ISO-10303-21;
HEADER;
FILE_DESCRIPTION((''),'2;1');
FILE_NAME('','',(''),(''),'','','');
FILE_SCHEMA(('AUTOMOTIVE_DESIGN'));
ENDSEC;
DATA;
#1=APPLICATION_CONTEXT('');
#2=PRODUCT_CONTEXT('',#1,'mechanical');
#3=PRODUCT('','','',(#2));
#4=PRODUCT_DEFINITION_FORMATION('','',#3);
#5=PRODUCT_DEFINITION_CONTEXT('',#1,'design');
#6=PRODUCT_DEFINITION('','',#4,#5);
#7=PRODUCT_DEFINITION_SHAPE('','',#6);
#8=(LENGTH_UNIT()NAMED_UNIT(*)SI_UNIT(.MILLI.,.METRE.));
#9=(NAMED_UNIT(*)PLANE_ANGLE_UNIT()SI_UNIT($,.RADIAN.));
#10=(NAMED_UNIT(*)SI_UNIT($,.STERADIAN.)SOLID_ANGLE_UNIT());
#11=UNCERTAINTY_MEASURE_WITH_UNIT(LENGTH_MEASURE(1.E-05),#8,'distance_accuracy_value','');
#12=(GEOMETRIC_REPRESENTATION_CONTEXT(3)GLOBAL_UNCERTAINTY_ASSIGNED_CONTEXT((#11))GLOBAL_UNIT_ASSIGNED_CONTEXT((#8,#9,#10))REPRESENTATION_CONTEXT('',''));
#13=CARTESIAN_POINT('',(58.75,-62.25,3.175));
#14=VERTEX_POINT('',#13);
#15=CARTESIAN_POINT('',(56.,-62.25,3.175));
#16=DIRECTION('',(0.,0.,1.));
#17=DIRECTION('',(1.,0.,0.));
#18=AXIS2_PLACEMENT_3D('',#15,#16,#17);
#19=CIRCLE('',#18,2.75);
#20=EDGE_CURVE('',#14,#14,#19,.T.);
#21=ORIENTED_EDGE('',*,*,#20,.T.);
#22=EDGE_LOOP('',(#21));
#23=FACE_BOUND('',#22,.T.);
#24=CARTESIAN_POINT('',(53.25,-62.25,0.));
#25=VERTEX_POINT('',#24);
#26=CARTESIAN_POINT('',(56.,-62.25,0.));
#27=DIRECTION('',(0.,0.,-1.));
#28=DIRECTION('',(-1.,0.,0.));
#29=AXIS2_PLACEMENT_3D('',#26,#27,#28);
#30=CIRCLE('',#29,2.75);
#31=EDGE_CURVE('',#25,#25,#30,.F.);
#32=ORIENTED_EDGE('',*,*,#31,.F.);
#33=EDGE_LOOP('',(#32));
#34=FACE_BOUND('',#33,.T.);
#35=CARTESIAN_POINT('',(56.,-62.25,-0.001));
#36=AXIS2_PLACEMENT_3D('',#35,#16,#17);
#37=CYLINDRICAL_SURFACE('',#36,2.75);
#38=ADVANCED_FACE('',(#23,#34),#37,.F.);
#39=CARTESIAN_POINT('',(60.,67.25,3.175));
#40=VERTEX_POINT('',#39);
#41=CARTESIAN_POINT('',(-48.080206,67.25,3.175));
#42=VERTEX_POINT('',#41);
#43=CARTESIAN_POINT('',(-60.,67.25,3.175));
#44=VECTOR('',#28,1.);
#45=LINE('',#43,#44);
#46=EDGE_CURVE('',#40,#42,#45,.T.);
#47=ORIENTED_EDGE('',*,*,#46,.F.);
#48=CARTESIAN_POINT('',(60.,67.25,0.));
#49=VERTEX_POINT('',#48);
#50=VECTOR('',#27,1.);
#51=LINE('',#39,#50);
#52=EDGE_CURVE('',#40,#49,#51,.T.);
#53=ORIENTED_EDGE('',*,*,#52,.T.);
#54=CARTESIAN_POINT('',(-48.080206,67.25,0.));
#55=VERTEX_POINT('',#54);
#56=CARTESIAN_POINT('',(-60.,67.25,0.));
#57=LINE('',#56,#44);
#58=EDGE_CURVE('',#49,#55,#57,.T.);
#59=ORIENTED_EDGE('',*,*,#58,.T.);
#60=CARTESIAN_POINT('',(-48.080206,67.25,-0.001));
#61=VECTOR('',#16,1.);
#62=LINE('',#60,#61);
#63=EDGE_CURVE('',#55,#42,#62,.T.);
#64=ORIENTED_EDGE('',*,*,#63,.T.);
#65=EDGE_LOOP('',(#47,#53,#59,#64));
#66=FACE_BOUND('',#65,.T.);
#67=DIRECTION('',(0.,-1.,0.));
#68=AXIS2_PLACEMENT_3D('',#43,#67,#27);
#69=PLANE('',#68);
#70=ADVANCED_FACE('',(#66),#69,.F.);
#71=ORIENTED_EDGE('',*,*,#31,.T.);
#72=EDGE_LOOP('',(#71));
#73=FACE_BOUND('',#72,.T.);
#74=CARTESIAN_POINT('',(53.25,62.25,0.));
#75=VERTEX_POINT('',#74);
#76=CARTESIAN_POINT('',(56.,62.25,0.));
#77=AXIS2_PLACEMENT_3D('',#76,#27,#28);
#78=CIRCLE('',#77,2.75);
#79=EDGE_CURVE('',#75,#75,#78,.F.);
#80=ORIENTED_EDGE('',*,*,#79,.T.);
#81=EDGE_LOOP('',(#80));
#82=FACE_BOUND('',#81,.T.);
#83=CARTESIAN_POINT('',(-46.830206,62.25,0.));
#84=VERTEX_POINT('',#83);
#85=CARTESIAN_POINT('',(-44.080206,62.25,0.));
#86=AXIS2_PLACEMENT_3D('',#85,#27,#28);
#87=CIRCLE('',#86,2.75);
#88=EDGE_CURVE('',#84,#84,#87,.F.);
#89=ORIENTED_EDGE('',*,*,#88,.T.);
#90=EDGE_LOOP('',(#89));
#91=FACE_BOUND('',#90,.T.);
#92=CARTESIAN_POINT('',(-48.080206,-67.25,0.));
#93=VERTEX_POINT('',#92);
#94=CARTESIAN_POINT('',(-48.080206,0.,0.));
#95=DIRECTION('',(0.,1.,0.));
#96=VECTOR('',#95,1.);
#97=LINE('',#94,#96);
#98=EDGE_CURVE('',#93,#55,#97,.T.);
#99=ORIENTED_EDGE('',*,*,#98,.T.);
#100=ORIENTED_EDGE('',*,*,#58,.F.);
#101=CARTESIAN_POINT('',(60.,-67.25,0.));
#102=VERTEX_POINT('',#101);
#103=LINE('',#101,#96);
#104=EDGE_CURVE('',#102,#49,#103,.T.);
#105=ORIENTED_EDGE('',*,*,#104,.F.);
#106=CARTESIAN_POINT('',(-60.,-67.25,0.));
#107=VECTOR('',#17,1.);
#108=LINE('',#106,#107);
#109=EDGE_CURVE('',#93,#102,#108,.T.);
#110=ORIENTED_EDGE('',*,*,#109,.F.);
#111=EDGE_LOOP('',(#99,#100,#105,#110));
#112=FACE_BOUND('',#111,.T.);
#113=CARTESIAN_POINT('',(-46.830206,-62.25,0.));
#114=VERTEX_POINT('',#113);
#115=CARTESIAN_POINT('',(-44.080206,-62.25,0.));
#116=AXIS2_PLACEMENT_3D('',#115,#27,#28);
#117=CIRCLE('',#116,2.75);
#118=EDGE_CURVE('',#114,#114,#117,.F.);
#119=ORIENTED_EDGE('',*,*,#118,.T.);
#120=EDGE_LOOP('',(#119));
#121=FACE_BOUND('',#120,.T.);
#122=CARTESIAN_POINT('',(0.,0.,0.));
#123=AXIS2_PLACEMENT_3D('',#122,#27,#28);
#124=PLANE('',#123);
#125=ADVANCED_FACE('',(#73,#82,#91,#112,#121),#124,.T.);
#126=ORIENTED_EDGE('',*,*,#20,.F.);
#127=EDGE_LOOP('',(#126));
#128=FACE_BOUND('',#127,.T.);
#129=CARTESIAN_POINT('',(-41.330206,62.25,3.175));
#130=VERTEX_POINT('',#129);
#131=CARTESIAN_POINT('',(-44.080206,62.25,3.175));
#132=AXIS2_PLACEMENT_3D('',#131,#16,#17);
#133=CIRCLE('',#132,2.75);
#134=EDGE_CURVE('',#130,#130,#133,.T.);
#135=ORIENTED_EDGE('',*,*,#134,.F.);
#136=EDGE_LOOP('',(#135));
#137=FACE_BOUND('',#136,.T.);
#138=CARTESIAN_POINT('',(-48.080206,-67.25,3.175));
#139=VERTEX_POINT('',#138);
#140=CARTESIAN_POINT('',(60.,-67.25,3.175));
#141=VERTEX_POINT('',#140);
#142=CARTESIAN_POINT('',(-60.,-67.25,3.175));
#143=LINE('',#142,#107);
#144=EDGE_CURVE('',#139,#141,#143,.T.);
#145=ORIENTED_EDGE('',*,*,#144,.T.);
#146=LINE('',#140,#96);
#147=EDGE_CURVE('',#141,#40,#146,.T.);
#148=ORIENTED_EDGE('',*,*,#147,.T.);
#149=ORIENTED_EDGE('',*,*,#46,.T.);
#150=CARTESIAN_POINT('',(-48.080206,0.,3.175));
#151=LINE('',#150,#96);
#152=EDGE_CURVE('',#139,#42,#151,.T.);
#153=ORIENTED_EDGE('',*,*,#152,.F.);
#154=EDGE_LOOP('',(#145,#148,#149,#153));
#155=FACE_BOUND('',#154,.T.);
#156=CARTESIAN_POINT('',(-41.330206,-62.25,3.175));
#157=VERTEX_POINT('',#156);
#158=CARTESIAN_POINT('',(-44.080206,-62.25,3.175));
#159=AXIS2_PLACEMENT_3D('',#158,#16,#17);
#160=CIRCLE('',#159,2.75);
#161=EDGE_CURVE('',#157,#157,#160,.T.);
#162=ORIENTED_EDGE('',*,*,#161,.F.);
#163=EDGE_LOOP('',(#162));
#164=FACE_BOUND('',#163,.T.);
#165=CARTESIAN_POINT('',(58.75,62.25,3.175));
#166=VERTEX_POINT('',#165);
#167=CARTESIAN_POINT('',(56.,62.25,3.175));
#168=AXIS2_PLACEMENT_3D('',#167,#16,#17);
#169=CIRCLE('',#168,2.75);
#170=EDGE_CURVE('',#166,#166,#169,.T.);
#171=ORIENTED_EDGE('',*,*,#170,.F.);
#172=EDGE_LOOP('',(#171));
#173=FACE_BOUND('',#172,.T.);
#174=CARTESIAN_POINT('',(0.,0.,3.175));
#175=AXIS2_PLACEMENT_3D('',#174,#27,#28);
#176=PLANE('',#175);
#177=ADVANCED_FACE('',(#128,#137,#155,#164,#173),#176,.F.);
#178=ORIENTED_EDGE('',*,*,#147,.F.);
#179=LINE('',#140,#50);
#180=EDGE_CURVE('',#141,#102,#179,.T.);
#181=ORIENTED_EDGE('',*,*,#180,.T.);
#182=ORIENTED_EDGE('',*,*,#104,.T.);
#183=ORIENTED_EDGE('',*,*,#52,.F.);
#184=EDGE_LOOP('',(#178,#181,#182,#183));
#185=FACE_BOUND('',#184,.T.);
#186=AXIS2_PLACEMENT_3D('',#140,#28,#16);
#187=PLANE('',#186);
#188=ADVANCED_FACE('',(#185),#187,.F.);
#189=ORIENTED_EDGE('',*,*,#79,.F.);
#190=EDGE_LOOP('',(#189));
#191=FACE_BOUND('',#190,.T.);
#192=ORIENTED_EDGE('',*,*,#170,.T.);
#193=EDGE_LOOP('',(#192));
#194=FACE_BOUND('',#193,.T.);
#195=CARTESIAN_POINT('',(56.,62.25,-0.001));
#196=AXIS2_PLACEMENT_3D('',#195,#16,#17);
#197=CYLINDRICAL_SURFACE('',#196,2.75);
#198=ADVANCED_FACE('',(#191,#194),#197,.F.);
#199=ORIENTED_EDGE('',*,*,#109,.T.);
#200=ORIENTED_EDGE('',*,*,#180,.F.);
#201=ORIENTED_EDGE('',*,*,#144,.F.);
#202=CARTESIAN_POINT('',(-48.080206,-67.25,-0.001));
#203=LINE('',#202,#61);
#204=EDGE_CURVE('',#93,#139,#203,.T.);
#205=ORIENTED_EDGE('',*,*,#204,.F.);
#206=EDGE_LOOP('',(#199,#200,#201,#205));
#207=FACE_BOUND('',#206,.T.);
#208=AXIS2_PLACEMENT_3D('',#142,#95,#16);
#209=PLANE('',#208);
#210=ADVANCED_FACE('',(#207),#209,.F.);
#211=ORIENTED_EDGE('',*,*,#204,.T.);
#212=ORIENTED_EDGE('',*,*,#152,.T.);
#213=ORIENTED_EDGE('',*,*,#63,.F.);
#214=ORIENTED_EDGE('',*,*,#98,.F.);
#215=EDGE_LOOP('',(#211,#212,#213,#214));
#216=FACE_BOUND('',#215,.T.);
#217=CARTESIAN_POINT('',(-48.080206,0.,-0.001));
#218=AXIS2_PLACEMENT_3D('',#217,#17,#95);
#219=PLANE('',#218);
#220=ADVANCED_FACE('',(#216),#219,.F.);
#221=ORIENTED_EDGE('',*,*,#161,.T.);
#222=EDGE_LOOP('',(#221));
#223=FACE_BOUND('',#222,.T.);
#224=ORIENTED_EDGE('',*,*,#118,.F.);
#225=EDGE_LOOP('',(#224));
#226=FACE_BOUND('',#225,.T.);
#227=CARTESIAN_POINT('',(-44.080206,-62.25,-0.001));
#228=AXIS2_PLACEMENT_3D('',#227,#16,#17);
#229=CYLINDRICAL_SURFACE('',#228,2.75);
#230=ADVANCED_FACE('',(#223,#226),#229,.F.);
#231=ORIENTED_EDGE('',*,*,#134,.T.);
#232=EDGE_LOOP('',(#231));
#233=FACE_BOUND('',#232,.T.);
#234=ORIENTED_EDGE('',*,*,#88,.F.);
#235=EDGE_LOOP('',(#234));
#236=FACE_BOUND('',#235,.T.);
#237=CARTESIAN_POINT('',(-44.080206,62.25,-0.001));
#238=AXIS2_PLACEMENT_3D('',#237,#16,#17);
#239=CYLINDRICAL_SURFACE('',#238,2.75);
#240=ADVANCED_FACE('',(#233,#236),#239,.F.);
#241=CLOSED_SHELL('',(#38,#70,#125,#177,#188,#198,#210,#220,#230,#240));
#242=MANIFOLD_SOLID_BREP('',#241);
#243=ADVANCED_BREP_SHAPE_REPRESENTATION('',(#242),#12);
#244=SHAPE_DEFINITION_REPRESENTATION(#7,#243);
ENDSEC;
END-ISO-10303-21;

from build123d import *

# Parameters (mm, degrees)
SKETCH1_W           = 120
SKETCH1_H           = 134.5
BOSS_EXTRUDE1_DEPTH = 3.175
CUT_EXTRUDE1_REACH  = 92.181
SKETCH2_W           = 11.91979388
SKETCH2_H           = 134.5
SKETCH2_R           = 2.75


with BuildPart() as part:
    # Sketch1 → Boss-Extrude1 (new body)
    with BuildSketch(Plane.XY):
        Rectangle(SKETCH1_W, SKETCH1_H)
    extrude(amount=BOSS_EXTRUDE1_DEPTH)

    # Sketch2 → Cut-Extrude1 (cut, up to next)
    with BuildSketch(Plane.XY.offset(3.175), mode=Mode.PRIVATE) as cut_extrude1_sk1:
        with Locations((-54.04010306, 0)):
            Rectangle(SKETCH2_W, SKETCH2_H)
    cut_extrude1_tool1 = extrude(cut_extrude1_sk1.sketch, amount=-CUT_EXTRUDE1_REACH, mode=Mode.PRIVATE) & part.part
    # Sketch2 → Cut-Extrude1 (cut, up to next)
    with BuildSketch(Plane.XY.offset(3.175), mode=Mode.PRIVATE) as cut_extrude1_sk2:
        with Locations((-44.08020612, 62.25)):
            Circle(SKETCH2_R)
    cut_extrude1_tool2 = extrude(cut_extrude1_sk2.sketch, amount=-CUT_EXTRUDE1_REACH, mode=Mode.PRIVATE) & part.part
    # Sketch2 → Cut-Extrude1 (cut, up to next)
    with BuildSketch(Plane.XY.offset(3.175), mode=Mode.PRIVATE) as cut_extrude1_sk3:
        with Locations((56, -62.25)):
            Circle(SKETCH2_R)
    cut_extrude1_tool3 = extrude(cut_extrude1_sk3.sketch, amount=-CUT_EXTRUDE1_REACH, mode=Mode.PRIVATE) & part.part
    # Sketch2 → Cut-Extrude1 (cut, up to next)
    with BuildSketch(Plane.XY.offset(3.175), mode=Mode.PRIVATE) as cut_extrude1_sk4:
        with Locations((-44.08020612, -62.25)):
            Circle(SKETCH2_R)
    cut_extrude1_tool4 = extrude(cut_extrude1_sk4.sketch, amount=-CUT_EXTRUDE1_REACH, mode=Mode.PRIVATE) & part.part
    # Sketch2 → Cut-Extrude1 (cut, up to next)
    with BuildSketch(Plane.XY.offset(3.175), mode=Mode.PRIVATE) as cut_extrude1_sk5:
        with Locations((56, 62.25)):
            Circle(SKETCH2_R)
    cut_extrude1_tool5 = extrude(cut_extrude1_sk5.sketch, amount=-CUT_EXTRUDE1_REACH, mode=Mode.PRIVATE) & part.part
    add(cut_extrude1_tool1.solids().sort_by_distance((-54.040103, 0, 3.175))[0], mode=Mode.SUBTRACT)
    add(cut_extrude1_tool2.solids().sort_by_distance((-44.080206, 62.25, 3.175))[0], mode=Mode.SUBTRACT)
    add(cut_extrude1_tool3.solids().sort_by_distance((56, -62.25, 3.175))[0], mode=Mode.SUBTRACT)
    add(cut_extrude1_tool4.solids().sort_by_distance((-44.080206, -62.25, 3.175))[0], mode=Mode.SUBTRACT)
    add(cut_extrude1_tool5.solids().sort_by_distance((56, 62.25, 3.175))[0], mode=Mode.SUBTRACT)


solid = part.part
